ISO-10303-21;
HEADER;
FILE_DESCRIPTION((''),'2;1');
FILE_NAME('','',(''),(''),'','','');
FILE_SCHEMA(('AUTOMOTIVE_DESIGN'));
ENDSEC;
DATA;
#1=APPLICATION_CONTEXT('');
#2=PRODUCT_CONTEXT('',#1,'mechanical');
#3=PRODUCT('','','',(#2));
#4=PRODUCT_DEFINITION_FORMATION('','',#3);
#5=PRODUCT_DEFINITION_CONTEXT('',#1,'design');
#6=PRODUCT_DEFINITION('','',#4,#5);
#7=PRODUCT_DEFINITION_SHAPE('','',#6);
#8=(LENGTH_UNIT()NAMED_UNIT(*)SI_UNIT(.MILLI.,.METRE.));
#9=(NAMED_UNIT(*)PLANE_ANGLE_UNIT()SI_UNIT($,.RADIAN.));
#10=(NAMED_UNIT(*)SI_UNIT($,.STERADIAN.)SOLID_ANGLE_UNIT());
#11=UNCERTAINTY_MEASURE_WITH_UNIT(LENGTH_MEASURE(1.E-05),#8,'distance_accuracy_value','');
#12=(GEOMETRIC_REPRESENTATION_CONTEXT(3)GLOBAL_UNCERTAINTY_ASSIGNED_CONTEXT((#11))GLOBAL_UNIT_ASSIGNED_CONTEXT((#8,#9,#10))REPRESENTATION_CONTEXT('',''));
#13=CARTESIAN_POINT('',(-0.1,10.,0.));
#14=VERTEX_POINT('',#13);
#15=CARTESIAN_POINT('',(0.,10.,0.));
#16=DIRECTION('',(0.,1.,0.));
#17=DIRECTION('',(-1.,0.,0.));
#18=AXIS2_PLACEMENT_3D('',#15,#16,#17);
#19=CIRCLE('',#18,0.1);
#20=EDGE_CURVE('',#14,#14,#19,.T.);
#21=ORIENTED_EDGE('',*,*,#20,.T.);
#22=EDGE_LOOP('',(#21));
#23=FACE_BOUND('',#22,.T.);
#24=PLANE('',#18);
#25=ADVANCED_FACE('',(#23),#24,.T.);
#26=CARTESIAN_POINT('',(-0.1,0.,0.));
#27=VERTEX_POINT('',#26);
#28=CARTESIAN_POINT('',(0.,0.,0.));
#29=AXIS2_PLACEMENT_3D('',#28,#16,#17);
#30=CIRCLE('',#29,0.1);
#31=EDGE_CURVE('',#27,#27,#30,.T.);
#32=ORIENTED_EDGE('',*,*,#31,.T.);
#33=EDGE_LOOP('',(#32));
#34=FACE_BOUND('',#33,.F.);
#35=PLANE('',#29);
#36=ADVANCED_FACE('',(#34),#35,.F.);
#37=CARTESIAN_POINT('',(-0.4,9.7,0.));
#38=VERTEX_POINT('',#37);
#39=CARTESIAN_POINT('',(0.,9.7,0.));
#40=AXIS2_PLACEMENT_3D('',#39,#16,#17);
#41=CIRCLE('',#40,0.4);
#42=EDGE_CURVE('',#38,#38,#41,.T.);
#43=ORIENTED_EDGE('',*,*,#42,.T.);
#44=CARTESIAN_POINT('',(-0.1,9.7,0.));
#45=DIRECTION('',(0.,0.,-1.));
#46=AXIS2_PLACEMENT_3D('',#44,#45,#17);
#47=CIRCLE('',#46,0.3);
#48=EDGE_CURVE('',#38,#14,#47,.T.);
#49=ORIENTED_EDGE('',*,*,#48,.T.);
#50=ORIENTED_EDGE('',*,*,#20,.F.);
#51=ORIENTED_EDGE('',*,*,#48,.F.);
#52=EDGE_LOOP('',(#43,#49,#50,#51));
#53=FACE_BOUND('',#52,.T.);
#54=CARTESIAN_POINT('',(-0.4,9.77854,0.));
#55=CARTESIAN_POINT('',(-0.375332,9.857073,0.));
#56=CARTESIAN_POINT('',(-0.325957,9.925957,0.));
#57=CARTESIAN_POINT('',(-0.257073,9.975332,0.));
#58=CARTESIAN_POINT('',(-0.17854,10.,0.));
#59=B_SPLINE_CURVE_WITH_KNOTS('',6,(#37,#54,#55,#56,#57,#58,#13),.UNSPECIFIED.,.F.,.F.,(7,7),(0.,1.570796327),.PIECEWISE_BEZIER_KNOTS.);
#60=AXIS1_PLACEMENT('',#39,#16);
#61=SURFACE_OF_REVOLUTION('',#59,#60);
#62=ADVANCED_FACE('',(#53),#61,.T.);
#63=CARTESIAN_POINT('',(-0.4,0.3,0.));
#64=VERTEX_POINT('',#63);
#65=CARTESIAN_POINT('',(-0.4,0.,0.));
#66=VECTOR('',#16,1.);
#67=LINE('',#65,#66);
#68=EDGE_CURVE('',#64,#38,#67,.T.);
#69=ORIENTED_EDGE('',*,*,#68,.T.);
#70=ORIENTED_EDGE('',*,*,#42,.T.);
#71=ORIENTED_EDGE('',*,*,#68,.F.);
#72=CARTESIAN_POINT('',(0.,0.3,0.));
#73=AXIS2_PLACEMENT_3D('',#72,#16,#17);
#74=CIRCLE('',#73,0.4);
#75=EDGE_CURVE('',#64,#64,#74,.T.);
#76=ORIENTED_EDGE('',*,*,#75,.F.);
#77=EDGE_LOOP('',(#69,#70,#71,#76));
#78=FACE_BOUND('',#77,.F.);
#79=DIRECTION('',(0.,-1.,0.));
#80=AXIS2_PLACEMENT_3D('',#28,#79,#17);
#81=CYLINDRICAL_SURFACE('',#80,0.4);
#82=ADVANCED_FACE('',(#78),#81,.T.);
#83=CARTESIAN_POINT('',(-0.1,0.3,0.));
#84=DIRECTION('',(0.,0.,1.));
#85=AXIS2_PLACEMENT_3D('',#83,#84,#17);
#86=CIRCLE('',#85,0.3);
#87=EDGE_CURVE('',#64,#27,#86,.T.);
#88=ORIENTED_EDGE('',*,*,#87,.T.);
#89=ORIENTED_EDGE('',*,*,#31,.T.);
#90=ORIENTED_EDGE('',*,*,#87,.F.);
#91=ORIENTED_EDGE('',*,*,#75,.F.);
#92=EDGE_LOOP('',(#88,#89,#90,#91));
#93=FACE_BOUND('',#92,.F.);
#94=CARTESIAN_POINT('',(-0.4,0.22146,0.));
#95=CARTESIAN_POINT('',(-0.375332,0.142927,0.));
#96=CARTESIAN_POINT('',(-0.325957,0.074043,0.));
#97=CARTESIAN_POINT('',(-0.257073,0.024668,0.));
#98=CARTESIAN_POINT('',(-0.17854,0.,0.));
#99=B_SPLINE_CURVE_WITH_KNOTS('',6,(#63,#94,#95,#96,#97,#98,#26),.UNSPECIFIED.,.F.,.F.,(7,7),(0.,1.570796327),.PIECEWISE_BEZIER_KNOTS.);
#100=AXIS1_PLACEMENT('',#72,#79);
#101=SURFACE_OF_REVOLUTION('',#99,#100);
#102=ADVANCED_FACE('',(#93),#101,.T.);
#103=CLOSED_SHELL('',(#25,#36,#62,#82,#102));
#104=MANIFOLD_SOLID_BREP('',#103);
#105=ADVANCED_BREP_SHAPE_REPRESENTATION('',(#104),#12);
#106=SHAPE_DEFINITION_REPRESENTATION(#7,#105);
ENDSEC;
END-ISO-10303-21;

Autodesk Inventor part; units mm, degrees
ref_plane "YZ Plane" through (0, 0, 0) normal (1, 0, 0) x (0, 1, 0)
ref_plane "XZ Plane" through (0, 0, 0) normal (0, 1, 0) x (-1, 0, 0)
ref_plane "XY Plane" through (0, 0, 0) normal (0, 0, 1) x (1, 0, 0)
sketch "草图1" plane through (0, 0, 0) normal (0, 1, 0) x (-1, 0, 0)
  circle A0 centre (0, 0) radius 0.4
  dimension "d0" = 0.8
extrude "拉伸1" add sketch "草图1" along normal blind 10
fillet "圆角1" radius 0.3 1 edges at (0.4, 10, 0)
fillet "圆角2" radius 0.3 1 edges at (0.4, 0, 0)
properties part number "top"
